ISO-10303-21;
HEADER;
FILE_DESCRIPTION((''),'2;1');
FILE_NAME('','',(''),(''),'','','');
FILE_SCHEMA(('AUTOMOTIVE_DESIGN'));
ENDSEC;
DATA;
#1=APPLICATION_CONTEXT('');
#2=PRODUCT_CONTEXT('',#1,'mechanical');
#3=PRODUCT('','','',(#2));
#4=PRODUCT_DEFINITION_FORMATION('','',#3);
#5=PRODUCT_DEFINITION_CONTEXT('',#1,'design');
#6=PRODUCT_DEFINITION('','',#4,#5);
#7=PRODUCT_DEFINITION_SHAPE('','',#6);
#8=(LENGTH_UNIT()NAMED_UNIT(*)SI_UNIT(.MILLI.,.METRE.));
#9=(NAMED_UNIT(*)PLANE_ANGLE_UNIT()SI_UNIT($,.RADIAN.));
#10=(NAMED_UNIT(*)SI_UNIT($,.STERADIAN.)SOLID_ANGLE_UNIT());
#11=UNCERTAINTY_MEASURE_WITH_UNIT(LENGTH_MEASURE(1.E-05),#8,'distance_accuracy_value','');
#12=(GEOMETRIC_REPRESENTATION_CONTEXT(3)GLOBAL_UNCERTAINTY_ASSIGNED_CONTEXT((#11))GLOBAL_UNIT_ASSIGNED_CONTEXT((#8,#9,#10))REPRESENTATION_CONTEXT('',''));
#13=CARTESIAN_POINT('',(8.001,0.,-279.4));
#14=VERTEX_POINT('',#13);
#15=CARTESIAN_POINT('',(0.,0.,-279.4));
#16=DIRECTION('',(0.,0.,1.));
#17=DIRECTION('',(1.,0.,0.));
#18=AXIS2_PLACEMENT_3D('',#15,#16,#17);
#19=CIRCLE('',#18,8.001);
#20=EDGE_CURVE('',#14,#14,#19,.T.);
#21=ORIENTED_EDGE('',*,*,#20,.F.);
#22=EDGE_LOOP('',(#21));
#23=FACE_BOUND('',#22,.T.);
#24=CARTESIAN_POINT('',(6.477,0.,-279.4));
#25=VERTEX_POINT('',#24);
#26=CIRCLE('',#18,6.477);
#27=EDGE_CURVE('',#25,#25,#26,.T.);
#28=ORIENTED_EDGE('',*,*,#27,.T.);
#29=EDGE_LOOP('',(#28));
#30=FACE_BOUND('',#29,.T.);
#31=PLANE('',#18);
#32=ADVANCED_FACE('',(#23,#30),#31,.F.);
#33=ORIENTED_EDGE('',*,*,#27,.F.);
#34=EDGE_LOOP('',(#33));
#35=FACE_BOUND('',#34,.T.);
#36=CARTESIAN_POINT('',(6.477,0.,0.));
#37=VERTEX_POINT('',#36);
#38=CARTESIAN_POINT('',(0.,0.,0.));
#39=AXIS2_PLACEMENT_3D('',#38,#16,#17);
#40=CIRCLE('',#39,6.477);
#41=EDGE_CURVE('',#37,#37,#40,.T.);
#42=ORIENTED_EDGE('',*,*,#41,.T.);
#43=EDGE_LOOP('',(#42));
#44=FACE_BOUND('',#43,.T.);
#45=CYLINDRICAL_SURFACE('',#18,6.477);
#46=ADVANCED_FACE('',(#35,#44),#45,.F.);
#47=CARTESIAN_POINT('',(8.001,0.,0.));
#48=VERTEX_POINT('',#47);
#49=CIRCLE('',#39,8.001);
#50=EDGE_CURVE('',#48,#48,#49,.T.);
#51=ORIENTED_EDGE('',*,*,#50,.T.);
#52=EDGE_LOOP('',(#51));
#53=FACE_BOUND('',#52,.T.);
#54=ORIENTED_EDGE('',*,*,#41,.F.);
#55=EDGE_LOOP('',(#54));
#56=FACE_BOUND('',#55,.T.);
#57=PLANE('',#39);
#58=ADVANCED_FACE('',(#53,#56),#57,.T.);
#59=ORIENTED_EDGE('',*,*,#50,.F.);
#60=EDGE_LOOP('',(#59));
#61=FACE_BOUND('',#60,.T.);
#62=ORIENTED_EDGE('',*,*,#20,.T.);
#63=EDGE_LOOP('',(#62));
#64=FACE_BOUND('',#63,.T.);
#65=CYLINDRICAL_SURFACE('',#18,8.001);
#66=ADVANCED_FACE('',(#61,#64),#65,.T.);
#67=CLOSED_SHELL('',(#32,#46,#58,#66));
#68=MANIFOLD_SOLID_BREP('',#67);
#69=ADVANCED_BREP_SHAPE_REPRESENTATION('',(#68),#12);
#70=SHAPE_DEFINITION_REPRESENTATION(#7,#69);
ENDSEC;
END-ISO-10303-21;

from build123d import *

# Parameters (mm, degrees)
SKETCH1_R           = 8.001
SKETCH1_R_2         = 6.477
BOSS_EXTRUDE1_DEPTH = 279.4


with BuildPart() as part:
    # Sketch1 → Boss-Extrude1 (new body)
    with BuildSketch(Plane.XY):
        Circle(SKETCH1_R)
        Circle(SKETCH1_R_2, mode=Mode.SUBTRACT)
    extrude(amount=-BOSS_EXTRUDE1_DEPTH)


solid = part.part
